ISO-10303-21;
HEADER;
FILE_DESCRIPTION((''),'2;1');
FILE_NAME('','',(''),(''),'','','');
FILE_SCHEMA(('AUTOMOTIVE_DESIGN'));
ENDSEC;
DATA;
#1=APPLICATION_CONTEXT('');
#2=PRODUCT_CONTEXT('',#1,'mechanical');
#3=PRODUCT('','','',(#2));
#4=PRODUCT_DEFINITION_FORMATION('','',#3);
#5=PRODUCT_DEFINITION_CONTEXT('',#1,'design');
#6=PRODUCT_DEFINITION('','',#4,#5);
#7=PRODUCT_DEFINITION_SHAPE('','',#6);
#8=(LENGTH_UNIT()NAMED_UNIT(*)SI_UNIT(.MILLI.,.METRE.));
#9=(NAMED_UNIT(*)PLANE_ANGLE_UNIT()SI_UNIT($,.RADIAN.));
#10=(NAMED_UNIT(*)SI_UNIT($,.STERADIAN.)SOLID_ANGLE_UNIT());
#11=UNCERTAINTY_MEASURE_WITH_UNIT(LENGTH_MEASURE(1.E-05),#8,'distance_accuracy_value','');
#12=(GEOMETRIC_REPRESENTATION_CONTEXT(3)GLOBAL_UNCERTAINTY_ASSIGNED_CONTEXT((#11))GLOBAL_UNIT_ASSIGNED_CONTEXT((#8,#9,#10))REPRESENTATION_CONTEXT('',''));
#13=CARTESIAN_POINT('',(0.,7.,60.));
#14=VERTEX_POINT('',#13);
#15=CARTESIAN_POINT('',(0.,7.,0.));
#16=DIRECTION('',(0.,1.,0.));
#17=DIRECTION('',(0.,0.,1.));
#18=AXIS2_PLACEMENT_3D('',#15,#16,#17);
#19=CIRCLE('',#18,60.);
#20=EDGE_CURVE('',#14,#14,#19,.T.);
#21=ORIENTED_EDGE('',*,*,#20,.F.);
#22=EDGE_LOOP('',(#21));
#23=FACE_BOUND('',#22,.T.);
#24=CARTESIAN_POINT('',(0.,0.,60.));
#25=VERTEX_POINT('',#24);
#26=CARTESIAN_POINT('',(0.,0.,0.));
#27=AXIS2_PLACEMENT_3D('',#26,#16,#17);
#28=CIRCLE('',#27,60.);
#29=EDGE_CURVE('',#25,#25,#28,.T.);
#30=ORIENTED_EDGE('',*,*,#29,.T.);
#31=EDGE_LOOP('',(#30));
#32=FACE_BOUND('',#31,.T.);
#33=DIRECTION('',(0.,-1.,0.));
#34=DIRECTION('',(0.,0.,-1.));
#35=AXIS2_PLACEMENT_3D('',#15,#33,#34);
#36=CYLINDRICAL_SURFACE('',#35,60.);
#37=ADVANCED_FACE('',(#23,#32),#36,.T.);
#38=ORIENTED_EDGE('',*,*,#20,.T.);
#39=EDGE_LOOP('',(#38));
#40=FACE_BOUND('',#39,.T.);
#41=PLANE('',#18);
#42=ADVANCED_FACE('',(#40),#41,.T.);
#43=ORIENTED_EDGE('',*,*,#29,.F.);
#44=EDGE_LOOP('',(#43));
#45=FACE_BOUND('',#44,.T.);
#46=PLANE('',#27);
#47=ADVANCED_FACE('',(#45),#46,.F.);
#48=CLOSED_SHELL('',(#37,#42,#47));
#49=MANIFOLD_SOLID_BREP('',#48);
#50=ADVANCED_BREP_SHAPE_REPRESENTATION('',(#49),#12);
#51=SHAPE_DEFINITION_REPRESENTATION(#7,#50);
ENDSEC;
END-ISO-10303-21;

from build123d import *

# Parameters (mm, degrees)
SKETCH1_R           = 60
BOSS_EXTRUDE1_DEPTH = 7


with BuildPart() as part:
    # Sketch1 → Boss-Extrude1 (new body)
    with BuildSketch(Plane(origin=(0, 0, 0), x_dir=(1, 0, 0), z_dir=(0, 1, 0))):
        with Locations(Location((0, 0, 0), (0, 0, 270))):
            Circle(SKETCH1_R)
    extrude(amount=BOSS_EXTRUDE1_DEPTH)


solid = part.part
